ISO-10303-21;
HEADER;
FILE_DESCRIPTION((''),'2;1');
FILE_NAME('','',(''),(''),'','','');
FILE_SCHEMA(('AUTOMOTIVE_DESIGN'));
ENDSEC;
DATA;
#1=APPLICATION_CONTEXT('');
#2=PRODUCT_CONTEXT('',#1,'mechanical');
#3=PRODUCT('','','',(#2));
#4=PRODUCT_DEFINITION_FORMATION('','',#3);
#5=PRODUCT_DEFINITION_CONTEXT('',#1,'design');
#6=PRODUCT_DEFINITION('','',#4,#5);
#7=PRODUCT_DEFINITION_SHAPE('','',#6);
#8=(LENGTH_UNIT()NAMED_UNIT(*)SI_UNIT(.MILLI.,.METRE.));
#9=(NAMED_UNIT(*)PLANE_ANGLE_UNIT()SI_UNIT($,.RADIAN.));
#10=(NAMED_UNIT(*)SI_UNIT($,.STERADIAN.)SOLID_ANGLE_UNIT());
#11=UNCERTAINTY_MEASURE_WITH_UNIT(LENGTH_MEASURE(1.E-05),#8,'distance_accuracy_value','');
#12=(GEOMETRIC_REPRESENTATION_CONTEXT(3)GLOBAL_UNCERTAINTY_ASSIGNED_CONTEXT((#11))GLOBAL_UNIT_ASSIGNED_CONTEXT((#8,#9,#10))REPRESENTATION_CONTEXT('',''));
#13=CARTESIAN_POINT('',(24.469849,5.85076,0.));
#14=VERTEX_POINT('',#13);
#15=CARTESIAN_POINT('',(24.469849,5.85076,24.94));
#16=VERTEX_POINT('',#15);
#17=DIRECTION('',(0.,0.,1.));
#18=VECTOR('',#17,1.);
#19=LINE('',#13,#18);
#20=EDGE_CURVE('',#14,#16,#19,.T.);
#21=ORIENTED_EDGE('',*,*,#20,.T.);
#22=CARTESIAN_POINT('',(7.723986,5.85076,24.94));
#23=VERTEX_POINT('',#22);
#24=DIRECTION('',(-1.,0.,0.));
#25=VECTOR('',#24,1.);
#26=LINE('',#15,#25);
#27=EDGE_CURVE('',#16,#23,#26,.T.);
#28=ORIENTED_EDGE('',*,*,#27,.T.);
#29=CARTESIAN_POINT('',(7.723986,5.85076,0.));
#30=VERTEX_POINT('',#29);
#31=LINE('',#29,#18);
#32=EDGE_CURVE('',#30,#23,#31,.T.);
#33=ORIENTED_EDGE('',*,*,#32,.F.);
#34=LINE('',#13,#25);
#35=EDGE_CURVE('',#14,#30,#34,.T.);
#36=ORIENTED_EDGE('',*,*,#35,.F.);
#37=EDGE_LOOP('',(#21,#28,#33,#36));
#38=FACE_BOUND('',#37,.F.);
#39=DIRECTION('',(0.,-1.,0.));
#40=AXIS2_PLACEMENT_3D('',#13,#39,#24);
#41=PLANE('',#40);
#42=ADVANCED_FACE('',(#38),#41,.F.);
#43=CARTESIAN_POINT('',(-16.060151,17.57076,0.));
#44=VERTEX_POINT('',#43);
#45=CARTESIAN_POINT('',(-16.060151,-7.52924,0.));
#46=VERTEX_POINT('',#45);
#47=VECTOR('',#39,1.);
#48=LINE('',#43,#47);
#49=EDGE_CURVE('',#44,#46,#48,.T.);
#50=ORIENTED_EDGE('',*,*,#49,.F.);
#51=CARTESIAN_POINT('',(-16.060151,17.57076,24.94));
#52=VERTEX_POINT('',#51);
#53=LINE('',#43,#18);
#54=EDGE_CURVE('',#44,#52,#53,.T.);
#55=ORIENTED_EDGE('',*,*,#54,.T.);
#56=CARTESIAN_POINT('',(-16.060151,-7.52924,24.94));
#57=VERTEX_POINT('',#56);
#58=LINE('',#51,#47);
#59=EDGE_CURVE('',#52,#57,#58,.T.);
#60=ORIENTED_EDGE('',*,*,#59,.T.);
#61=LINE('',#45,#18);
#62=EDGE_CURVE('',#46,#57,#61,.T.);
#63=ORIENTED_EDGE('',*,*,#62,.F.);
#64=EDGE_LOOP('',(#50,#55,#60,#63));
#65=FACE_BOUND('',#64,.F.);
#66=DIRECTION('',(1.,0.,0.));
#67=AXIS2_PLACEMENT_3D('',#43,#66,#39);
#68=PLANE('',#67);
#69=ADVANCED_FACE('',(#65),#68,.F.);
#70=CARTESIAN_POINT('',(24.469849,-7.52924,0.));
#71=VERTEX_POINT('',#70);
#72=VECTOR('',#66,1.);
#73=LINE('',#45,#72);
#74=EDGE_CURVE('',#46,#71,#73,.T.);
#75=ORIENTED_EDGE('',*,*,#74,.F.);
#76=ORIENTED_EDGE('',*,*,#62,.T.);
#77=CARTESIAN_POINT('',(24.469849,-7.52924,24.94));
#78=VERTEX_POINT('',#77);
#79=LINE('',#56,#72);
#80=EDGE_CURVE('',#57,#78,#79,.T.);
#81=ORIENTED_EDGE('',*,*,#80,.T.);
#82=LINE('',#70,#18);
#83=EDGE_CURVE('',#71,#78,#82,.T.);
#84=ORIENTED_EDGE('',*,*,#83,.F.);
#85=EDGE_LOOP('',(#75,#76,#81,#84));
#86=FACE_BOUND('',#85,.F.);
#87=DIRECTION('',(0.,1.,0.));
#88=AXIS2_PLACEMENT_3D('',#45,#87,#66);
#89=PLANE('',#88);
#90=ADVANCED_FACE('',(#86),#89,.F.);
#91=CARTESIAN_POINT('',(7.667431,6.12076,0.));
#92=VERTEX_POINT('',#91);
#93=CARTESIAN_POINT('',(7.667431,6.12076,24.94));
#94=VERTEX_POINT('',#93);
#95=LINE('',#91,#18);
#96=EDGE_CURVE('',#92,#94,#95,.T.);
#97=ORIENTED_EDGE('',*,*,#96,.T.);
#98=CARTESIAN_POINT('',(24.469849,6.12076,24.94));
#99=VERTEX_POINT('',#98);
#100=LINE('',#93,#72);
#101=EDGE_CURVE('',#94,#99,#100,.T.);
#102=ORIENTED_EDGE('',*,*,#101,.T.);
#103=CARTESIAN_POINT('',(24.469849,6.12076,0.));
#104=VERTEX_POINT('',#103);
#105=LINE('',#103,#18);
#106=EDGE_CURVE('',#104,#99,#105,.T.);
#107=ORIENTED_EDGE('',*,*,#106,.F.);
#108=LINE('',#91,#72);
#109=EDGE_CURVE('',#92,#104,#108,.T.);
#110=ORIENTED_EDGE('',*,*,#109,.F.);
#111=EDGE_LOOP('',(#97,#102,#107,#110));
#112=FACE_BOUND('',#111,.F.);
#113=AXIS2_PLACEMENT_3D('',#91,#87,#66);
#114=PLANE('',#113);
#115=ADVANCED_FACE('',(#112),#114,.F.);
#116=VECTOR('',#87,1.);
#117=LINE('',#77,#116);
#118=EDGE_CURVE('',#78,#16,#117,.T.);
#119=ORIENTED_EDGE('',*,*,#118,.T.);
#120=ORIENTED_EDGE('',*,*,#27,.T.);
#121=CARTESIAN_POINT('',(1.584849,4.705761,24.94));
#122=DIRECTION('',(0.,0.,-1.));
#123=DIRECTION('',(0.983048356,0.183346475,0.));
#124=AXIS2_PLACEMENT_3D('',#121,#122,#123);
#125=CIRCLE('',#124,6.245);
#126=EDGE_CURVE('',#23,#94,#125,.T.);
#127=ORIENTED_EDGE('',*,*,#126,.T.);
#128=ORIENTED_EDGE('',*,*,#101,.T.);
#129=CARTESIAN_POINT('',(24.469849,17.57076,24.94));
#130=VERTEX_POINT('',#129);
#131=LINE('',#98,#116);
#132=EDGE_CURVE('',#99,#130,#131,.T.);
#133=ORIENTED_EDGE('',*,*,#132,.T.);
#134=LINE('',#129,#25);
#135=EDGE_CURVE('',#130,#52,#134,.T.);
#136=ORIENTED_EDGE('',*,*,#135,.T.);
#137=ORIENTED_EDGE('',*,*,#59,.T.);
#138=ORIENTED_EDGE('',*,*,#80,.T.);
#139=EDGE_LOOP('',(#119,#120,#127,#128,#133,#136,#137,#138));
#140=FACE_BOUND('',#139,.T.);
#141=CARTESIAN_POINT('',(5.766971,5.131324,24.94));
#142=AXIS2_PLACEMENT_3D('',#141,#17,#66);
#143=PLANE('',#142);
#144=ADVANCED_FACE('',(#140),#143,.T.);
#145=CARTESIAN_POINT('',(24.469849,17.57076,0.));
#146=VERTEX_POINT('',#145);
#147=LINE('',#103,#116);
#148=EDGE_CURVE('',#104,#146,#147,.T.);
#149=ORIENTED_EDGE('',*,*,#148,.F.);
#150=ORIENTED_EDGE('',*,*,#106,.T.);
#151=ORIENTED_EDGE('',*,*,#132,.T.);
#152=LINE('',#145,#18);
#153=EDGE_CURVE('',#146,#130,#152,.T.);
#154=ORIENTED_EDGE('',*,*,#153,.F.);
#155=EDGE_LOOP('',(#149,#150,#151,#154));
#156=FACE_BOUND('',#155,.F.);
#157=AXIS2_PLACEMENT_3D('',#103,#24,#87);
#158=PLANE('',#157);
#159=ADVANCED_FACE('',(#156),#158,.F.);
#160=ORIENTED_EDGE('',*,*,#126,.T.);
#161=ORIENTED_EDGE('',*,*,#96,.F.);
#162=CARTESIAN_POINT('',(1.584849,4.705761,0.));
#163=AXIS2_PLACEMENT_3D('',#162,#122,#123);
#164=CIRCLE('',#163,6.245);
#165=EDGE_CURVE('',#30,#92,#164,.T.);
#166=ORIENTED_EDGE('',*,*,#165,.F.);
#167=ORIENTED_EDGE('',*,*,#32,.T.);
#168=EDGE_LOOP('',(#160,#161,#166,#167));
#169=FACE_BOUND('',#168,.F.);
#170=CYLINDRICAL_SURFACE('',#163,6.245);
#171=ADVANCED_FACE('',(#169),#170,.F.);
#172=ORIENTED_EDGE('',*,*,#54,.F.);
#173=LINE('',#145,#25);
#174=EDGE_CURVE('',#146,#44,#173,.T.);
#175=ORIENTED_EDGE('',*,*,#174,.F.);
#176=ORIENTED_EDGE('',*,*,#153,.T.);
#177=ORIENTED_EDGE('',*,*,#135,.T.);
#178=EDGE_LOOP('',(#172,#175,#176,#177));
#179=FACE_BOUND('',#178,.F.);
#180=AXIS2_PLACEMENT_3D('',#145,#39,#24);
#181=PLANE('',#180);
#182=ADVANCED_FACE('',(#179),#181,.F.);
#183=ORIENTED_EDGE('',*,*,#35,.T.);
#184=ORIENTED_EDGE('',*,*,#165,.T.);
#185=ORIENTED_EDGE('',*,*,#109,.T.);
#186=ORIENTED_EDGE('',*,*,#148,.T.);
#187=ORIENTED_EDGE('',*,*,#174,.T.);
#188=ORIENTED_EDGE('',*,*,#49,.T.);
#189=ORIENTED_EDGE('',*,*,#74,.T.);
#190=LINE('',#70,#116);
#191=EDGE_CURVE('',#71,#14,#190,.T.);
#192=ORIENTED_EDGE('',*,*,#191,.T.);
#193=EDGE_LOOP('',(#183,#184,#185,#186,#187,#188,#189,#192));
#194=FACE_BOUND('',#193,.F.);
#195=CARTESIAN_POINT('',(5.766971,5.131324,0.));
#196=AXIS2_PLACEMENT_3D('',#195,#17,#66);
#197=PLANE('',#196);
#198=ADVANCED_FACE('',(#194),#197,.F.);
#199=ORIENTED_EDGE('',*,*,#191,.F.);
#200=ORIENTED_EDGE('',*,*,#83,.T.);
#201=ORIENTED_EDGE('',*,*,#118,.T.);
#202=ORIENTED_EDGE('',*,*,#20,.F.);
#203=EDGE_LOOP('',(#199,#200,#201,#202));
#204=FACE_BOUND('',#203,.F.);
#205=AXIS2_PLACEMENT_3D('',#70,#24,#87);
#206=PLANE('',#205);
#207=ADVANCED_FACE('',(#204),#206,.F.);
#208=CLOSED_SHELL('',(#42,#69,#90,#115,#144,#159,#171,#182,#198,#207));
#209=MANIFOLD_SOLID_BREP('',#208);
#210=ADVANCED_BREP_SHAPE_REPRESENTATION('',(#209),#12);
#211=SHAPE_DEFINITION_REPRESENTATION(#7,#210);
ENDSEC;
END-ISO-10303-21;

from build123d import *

# Parameters (mm, degrees)
F1_DEPTH = 24.94


with BuildPart() as f1:
    # F0 (on Top) → F1 (new body)
    with BuildSketch(Plane.XY):
        with BuildLine():
            Line((24.469849, 17.57076), (-16.060151, 17.57076))
            Line((-16.060151, 17.57076), (-16.060151, -7.52924))
            Line((-16.060151, -7.52924), (24.469849, -7.52924))
            Line((24.469849, -7.52924), (24.469849, 5.85076))
            Line((24.469849, 5.85076), (7.723986, 5.85076))
            ThreePointArc((7.723986, 5.85076), (-4.527501, 3.425448), (7.667431, 6.12076))
            Line((7.667431, 6.12076), (24.469849, 6.12076))
            Line((24.469849, 6.12076), (24.469849, 17.57076))
        make_face()
    extrude(amount=F1_DEPTH)


solid = f1.part
